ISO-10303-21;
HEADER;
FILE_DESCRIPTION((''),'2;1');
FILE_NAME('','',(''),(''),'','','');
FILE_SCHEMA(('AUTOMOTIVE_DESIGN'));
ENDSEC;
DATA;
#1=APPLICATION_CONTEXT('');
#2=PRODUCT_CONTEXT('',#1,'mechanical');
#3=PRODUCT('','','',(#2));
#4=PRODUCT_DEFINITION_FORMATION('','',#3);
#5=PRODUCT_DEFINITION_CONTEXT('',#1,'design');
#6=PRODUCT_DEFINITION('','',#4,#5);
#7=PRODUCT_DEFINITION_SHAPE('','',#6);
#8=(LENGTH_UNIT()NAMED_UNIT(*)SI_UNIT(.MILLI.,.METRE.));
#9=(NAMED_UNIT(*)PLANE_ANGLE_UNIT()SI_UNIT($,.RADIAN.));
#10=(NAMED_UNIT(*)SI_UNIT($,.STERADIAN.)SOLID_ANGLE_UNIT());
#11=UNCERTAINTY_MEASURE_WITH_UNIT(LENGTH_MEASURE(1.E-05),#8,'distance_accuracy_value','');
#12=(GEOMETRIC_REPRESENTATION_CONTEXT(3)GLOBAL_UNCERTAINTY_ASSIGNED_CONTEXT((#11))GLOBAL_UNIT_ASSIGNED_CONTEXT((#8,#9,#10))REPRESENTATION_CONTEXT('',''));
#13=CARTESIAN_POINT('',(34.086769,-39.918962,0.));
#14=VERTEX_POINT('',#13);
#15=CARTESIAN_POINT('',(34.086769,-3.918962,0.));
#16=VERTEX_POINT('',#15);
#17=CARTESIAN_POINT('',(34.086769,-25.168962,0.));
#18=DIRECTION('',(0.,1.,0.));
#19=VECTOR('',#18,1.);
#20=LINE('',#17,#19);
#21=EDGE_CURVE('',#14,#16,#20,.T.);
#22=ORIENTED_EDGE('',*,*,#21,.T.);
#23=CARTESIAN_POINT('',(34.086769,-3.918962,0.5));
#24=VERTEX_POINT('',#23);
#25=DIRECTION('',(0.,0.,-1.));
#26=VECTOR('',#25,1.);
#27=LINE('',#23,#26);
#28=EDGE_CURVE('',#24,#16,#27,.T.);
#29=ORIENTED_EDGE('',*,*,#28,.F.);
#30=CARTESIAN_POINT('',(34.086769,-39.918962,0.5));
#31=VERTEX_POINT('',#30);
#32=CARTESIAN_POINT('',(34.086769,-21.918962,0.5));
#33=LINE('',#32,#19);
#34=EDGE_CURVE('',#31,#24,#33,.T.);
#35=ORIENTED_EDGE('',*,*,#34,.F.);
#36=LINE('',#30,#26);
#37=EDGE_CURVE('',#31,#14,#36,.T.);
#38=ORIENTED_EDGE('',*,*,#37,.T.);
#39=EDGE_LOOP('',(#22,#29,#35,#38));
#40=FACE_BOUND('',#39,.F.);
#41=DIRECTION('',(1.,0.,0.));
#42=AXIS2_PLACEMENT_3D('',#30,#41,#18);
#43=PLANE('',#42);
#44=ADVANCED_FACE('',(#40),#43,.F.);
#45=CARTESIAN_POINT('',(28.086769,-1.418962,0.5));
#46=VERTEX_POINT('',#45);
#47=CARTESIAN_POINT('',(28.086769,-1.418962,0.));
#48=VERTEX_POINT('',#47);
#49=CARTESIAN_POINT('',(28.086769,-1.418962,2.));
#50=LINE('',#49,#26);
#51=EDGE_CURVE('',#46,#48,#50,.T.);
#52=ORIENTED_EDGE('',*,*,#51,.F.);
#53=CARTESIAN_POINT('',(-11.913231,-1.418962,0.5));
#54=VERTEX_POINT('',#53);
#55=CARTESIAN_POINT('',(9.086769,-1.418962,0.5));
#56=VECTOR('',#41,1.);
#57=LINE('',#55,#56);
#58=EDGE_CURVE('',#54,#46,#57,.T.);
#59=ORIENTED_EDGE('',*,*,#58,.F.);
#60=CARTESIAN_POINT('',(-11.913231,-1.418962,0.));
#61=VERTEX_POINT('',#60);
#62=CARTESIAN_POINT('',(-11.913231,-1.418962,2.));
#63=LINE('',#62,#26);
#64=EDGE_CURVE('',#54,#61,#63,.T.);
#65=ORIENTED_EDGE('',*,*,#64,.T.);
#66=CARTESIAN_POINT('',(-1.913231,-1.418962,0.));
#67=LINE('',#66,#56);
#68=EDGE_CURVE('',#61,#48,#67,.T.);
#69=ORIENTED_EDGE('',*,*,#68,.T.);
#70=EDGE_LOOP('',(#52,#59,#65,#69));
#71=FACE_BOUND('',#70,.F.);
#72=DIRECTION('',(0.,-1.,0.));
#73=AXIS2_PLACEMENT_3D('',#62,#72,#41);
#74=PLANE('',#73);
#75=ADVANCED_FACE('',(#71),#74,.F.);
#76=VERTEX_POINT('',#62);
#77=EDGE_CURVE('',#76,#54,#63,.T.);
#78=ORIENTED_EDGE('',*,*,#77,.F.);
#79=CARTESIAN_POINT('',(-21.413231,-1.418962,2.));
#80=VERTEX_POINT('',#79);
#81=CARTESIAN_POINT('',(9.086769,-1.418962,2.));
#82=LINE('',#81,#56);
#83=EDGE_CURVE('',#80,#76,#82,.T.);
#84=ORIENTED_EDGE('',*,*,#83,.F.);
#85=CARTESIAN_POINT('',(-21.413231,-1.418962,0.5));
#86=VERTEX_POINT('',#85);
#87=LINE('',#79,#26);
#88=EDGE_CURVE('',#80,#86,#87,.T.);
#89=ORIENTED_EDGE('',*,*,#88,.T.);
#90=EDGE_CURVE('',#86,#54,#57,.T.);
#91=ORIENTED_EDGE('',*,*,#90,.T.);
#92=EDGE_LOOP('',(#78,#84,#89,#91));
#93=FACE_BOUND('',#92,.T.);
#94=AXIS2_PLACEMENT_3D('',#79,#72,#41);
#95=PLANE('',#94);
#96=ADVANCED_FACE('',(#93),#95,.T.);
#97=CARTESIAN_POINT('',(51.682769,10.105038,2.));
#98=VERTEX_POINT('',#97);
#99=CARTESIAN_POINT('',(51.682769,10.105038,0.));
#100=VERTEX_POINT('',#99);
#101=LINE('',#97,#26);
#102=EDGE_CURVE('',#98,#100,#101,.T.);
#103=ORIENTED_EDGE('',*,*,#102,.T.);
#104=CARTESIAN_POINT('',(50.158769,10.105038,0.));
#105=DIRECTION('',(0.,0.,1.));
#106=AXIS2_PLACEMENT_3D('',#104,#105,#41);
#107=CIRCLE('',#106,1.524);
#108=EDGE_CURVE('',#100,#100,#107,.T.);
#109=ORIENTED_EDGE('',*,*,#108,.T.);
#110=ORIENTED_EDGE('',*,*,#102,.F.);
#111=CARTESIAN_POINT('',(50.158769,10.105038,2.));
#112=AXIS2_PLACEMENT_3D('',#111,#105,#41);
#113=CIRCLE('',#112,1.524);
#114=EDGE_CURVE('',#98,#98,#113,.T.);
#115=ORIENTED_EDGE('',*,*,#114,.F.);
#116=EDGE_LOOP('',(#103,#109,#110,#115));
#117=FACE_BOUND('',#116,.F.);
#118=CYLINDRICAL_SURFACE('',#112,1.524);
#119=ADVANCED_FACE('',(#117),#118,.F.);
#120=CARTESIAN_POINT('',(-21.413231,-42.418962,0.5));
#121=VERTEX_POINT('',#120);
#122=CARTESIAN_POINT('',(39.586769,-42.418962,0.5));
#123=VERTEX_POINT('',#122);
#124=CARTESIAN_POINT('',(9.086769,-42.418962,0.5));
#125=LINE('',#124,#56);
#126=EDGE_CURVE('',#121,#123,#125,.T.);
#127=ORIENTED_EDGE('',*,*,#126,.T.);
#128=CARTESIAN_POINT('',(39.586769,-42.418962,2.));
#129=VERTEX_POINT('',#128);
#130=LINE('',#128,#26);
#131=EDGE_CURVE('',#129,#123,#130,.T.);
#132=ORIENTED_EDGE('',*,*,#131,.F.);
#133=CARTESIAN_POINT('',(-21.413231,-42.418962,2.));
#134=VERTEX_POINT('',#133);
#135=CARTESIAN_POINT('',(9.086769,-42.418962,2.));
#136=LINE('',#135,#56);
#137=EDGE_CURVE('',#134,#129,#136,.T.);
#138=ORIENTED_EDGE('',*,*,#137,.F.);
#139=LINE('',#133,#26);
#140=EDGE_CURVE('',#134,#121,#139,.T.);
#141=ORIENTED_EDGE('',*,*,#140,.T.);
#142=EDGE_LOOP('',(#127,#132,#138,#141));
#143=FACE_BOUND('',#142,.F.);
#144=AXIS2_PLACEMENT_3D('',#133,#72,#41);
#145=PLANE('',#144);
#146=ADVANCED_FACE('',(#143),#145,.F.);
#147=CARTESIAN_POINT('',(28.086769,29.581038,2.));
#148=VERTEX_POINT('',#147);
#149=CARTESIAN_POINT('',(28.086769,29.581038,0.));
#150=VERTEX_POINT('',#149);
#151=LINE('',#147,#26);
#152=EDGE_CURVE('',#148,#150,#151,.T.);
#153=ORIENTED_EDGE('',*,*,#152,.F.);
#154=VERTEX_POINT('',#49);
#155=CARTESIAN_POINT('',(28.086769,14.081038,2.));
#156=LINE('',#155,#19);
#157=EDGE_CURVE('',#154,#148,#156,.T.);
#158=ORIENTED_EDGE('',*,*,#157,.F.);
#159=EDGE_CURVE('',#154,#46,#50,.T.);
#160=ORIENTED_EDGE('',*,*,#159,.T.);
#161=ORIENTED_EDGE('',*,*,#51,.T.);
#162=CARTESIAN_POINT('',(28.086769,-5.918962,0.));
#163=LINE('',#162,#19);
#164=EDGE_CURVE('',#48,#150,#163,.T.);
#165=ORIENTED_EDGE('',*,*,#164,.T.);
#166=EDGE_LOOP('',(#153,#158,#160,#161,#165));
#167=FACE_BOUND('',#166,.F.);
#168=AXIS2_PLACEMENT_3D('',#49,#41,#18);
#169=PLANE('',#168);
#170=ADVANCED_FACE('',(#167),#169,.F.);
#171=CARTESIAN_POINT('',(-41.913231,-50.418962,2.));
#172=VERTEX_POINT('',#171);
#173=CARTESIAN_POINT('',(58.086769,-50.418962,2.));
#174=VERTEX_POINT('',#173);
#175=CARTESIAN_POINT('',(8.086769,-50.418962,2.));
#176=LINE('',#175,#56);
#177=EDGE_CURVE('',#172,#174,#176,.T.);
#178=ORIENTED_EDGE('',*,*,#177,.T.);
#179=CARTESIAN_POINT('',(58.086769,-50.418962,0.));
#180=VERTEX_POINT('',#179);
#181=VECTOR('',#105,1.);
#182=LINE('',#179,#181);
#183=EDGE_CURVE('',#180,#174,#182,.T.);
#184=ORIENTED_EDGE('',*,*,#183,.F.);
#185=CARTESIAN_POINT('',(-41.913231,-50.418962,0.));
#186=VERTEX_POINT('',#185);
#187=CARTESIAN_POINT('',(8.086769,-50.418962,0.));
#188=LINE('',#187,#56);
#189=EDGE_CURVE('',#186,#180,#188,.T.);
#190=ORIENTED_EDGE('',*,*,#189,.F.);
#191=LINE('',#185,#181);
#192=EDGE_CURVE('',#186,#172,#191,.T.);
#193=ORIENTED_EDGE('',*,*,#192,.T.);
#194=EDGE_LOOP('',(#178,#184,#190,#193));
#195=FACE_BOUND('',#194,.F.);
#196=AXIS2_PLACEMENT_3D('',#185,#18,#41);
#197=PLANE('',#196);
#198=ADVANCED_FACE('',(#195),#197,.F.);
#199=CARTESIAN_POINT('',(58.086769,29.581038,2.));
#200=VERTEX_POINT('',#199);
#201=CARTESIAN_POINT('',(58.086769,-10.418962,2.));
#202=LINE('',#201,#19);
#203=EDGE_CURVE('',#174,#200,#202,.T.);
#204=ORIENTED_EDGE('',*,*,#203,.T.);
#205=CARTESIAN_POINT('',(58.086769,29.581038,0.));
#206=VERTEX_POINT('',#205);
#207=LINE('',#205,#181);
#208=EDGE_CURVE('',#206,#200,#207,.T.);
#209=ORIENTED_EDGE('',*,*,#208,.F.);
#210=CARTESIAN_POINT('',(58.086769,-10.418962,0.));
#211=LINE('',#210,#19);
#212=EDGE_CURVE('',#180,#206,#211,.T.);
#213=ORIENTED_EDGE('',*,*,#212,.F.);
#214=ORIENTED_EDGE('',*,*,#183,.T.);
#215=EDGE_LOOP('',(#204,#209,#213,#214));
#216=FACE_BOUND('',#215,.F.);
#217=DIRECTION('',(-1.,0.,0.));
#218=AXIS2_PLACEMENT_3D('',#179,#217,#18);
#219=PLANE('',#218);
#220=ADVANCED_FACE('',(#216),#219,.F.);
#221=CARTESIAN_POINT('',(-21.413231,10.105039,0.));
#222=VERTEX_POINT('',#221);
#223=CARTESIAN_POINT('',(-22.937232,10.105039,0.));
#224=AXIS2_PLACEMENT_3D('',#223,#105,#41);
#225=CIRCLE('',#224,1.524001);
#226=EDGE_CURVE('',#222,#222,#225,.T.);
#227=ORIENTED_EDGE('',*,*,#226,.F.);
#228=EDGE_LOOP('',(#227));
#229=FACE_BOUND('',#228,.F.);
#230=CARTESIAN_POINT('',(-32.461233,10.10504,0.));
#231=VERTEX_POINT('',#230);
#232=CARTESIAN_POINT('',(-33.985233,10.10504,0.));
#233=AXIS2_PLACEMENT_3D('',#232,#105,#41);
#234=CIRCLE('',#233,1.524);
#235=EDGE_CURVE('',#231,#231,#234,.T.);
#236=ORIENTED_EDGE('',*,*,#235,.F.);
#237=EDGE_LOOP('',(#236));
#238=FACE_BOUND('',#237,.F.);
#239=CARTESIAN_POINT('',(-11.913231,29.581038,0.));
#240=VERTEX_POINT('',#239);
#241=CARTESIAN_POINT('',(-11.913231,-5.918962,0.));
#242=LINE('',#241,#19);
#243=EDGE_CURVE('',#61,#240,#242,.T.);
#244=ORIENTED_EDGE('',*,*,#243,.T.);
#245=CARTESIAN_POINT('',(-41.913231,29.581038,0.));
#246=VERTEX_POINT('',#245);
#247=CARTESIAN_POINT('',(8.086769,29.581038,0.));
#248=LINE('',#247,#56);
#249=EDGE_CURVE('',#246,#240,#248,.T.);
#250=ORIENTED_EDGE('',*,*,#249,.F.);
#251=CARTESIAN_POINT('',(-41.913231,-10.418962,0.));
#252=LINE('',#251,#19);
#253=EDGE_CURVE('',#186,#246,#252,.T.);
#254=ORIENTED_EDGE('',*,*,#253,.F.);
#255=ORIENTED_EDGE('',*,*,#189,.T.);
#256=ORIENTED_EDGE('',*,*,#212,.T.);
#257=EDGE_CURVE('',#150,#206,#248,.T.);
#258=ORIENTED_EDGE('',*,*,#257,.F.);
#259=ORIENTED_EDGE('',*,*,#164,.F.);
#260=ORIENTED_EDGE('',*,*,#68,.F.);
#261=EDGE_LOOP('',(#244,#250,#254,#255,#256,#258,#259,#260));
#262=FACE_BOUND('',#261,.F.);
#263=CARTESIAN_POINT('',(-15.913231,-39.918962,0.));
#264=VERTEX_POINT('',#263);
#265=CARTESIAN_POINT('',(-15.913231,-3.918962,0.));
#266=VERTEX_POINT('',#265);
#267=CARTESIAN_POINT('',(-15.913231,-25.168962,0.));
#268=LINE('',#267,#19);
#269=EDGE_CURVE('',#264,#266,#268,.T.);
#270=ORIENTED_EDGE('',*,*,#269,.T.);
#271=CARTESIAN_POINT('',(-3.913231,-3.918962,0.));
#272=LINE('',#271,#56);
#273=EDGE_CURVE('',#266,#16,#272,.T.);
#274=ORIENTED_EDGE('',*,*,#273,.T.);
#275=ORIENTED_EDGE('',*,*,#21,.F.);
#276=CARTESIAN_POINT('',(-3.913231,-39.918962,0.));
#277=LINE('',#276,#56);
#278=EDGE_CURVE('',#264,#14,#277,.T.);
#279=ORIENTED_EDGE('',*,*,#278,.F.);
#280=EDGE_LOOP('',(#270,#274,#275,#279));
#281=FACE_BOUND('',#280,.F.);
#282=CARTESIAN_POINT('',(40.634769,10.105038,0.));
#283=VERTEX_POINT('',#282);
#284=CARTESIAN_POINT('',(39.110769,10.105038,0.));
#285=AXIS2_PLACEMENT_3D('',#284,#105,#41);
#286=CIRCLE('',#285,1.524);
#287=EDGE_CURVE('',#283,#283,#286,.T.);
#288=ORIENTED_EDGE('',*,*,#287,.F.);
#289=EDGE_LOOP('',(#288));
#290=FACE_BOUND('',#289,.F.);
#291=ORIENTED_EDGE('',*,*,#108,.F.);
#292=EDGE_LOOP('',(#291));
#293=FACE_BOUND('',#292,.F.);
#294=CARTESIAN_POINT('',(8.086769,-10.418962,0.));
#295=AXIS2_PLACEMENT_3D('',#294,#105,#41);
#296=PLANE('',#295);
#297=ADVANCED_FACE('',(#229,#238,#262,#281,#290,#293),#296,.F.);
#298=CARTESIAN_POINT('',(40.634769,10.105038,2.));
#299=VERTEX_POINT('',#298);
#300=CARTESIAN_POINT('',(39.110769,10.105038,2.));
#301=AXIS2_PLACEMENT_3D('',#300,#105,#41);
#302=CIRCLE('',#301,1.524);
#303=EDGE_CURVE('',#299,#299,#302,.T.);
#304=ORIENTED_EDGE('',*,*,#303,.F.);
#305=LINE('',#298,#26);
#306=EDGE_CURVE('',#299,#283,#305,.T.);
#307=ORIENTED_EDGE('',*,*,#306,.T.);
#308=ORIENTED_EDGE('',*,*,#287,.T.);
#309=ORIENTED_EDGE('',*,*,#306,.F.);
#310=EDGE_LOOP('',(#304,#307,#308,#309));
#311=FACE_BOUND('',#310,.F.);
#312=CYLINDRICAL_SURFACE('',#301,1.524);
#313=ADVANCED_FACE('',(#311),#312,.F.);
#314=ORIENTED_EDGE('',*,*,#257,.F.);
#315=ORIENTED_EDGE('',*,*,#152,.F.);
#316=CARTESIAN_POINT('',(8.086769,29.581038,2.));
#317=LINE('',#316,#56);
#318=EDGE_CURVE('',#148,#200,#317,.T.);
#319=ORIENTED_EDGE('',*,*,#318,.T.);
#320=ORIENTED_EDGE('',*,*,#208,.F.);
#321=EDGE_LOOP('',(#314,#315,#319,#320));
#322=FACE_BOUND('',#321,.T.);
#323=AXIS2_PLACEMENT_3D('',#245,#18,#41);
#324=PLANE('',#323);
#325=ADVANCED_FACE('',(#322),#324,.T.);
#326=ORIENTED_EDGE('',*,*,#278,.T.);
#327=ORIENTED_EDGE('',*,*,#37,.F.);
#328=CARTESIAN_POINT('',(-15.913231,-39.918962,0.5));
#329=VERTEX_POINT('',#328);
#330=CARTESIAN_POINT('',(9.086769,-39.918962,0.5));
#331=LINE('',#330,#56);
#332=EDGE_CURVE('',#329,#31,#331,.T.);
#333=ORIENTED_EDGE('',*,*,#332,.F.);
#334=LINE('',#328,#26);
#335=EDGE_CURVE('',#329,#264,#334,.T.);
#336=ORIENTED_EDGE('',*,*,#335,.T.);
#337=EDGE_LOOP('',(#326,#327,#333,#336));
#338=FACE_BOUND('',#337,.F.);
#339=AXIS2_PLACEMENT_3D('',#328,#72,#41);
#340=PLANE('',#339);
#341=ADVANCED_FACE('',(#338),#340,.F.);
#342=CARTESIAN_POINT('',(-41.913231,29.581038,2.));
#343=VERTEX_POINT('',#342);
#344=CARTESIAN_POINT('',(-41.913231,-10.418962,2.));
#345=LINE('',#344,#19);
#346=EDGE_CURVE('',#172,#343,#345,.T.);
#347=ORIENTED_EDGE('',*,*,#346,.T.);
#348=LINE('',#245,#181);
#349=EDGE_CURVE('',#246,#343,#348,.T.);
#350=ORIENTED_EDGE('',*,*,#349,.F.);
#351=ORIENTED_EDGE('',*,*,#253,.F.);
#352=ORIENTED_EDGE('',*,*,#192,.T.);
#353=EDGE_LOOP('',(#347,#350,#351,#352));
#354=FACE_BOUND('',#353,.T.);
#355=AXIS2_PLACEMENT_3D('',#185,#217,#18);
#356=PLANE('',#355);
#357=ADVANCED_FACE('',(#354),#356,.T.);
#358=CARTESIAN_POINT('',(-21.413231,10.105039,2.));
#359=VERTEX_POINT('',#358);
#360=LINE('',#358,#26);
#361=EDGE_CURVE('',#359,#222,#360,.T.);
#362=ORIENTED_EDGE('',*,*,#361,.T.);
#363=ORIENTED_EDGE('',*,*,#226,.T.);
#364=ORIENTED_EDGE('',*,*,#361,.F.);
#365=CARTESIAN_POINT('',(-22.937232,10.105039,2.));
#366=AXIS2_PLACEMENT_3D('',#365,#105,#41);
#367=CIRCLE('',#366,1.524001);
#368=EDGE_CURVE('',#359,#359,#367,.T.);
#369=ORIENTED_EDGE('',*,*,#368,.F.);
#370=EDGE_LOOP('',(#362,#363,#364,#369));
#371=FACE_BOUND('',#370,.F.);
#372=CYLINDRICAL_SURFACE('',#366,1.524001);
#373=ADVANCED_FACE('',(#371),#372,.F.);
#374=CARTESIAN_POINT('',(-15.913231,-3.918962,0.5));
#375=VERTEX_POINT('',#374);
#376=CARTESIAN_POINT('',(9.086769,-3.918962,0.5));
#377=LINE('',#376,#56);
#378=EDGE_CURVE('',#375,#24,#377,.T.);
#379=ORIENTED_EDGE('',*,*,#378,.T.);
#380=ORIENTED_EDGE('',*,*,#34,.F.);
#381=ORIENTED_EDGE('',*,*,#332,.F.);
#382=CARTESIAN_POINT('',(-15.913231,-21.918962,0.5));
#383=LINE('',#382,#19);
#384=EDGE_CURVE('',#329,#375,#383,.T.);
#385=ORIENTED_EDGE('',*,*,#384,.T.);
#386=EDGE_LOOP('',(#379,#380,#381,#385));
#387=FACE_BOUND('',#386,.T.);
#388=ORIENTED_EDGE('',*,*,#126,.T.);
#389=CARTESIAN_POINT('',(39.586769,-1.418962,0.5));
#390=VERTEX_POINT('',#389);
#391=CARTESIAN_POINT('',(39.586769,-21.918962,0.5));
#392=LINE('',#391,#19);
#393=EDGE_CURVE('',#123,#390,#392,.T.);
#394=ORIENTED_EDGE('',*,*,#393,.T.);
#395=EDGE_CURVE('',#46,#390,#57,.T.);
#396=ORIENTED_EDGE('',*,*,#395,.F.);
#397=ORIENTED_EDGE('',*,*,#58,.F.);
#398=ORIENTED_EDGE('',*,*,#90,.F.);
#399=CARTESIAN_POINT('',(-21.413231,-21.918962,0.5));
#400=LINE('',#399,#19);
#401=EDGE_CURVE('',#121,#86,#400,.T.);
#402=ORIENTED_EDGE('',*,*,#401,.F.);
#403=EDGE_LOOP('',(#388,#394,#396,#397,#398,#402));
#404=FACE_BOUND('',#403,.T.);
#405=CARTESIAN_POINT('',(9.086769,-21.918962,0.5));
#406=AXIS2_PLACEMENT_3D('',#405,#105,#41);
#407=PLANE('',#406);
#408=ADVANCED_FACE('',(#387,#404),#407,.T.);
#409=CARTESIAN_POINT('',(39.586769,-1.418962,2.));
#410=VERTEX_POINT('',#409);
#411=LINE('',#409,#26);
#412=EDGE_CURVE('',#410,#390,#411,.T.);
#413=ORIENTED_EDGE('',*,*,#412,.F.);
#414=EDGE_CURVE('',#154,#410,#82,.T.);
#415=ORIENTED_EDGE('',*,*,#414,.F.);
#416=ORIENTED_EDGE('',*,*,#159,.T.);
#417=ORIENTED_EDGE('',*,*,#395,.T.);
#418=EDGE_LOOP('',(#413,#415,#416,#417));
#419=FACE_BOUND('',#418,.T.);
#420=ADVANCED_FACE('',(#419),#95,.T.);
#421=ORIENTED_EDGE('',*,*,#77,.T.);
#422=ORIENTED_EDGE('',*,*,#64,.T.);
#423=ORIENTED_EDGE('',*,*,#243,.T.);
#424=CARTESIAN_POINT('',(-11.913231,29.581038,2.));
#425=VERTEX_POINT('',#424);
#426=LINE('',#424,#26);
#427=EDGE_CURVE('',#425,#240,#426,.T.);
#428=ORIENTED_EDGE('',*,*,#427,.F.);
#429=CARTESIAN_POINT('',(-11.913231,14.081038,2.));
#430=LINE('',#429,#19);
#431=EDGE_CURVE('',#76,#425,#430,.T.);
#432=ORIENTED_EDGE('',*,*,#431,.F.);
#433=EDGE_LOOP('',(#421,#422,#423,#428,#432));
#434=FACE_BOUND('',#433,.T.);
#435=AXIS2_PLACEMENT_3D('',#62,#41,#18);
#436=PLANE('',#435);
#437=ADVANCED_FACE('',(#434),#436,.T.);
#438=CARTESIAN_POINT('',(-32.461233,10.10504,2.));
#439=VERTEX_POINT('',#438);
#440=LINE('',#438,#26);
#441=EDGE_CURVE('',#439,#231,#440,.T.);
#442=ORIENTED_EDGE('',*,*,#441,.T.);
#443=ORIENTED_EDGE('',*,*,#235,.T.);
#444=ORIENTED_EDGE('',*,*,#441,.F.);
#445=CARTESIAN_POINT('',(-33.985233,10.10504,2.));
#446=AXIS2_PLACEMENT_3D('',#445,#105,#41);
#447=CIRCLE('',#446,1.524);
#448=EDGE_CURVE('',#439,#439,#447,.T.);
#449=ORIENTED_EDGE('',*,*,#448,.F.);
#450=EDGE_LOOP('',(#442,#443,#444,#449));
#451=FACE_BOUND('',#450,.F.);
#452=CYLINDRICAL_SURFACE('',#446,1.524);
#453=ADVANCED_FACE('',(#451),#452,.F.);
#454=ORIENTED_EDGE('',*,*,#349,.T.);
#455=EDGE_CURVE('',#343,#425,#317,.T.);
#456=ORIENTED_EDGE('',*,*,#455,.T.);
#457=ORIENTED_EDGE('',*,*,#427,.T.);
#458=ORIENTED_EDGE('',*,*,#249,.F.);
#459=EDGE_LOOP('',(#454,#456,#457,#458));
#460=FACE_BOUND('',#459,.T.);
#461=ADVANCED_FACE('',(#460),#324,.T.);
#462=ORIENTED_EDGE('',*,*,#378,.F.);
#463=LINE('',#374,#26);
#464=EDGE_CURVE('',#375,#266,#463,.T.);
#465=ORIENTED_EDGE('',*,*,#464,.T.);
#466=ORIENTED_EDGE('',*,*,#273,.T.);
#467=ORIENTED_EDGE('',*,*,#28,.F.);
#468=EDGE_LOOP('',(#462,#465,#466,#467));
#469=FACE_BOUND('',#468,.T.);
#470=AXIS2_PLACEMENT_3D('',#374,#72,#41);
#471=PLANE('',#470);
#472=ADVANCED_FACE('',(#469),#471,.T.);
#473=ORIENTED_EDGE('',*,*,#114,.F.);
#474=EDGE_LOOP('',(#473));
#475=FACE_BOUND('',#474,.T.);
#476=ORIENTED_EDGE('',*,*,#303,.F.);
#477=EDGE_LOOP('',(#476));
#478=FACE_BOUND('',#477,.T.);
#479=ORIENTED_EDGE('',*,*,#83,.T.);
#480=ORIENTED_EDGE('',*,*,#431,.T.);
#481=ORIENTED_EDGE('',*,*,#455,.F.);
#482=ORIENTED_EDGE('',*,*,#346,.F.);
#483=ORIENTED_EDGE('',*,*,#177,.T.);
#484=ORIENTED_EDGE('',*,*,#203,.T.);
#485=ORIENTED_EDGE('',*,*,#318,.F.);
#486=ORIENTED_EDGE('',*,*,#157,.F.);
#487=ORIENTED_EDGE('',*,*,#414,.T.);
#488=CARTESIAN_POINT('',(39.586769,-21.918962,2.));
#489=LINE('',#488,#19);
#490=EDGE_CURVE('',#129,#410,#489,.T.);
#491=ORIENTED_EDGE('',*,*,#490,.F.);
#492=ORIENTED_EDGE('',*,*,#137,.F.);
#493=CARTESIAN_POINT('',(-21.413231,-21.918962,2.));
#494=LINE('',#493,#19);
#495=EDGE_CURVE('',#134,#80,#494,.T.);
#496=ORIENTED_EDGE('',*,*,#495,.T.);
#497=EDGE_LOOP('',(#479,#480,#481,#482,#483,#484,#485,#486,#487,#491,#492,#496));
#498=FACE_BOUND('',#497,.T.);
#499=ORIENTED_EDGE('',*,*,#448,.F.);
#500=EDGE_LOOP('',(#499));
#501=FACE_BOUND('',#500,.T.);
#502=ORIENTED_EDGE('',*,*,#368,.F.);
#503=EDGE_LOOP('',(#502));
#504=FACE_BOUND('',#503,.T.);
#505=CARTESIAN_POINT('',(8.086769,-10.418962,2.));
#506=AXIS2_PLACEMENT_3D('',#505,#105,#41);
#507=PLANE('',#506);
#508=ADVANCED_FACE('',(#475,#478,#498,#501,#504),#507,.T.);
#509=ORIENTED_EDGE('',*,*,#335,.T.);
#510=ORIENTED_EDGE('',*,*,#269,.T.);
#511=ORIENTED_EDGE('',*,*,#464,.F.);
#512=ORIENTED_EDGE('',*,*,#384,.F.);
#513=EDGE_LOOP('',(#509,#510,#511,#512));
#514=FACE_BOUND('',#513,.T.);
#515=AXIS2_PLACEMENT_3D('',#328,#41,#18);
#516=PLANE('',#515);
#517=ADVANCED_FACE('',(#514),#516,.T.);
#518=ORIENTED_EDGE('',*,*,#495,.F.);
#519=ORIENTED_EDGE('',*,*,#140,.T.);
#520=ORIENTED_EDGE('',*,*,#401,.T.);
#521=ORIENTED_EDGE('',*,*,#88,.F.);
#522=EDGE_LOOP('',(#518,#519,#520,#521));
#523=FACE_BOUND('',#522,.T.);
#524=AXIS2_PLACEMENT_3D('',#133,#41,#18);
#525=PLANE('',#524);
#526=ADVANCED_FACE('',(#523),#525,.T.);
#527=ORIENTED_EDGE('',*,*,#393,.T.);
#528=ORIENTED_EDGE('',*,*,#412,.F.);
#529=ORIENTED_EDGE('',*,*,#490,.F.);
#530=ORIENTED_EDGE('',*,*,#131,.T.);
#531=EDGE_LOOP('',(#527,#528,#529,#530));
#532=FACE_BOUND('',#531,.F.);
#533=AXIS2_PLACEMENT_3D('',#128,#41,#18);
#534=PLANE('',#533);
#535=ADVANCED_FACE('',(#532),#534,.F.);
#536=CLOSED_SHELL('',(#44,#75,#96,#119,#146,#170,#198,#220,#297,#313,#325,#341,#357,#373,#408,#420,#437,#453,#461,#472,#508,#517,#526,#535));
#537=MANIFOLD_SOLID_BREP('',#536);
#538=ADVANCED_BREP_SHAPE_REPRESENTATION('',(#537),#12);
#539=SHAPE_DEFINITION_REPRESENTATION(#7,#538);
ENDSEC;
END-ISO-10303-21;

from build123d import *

# Parameters (mm, degrees)
F0_W     = 100
F0_H     = 80
F1_DEPTH = 2
F2_W     = 40
F2_H     = 31
F3_DEPTH = 2.001
F4_W     = 61
F4_H     = 41
F5_DEPTH = 1.5
F6_R     = 1.524
F6_R_2   = 1.524001
F7_DEPTH = 2.001
F8_W     = 50
F8_H     = 36
F9_DEPTH = 0.501


with BuildPart() as f1:
    # F0 (on Top) → F1 (new body)
    with BuildSketch(Plane.XY):
        with Locations((8.086769, -10.418962)):
            Rectangle(F0_W, F0_H)
    extrude(amount=F1_DEPTH)

    # F2 (on face) → F3 (cut, through all)
    with BuildSketch(Plane.XY.offset(2)):
        with Locations((8.086769, 14.081038)):
            Rectangle(F2_W, F2_H)
    extrude(amount=-F3_DEPTH, mode=Mode.SUBTRACT)

    # F4 (on face) → F5 (cut)
    with BuildSketch(Plane.XY.offset(2)):
        with Locations((9.086769, -21.918962)):
            Rectangle(F4_W, F4_H)
    extrude(amount=-F5_DEPTH, mode=Mode.SUBTRACT)

    # F6 (on face) → F7 (cut, through all)
    with BuildSketch(Plane.XY.offset(2)):
        with Locations((-33.985233, 10.10504)):
            Circle(F6_R)
        with Locations((-22.937232, 10.105039)):
            Circle(F6_R_2)
        with Locations((50.158769, 10.105038)):
            Circle(F6_R)
        with Locations((39.110769, 10.105038)):
            Circle(F6_R)
    extrude(amount=-F7_DEPTH, mode=Mode.SUBTRACT)

    # F8 (on face) → F9 (cut, through all)
    with BuildSketch(Plane.XY.offset(0.5)):
        with Locations((9.086769, -21.918962)):
            Rectangle(F8_W, F8_H)
    extrude(amount=-F9_DEPTH, mode=Mode.SUBTRACT)


solid = f1.part
